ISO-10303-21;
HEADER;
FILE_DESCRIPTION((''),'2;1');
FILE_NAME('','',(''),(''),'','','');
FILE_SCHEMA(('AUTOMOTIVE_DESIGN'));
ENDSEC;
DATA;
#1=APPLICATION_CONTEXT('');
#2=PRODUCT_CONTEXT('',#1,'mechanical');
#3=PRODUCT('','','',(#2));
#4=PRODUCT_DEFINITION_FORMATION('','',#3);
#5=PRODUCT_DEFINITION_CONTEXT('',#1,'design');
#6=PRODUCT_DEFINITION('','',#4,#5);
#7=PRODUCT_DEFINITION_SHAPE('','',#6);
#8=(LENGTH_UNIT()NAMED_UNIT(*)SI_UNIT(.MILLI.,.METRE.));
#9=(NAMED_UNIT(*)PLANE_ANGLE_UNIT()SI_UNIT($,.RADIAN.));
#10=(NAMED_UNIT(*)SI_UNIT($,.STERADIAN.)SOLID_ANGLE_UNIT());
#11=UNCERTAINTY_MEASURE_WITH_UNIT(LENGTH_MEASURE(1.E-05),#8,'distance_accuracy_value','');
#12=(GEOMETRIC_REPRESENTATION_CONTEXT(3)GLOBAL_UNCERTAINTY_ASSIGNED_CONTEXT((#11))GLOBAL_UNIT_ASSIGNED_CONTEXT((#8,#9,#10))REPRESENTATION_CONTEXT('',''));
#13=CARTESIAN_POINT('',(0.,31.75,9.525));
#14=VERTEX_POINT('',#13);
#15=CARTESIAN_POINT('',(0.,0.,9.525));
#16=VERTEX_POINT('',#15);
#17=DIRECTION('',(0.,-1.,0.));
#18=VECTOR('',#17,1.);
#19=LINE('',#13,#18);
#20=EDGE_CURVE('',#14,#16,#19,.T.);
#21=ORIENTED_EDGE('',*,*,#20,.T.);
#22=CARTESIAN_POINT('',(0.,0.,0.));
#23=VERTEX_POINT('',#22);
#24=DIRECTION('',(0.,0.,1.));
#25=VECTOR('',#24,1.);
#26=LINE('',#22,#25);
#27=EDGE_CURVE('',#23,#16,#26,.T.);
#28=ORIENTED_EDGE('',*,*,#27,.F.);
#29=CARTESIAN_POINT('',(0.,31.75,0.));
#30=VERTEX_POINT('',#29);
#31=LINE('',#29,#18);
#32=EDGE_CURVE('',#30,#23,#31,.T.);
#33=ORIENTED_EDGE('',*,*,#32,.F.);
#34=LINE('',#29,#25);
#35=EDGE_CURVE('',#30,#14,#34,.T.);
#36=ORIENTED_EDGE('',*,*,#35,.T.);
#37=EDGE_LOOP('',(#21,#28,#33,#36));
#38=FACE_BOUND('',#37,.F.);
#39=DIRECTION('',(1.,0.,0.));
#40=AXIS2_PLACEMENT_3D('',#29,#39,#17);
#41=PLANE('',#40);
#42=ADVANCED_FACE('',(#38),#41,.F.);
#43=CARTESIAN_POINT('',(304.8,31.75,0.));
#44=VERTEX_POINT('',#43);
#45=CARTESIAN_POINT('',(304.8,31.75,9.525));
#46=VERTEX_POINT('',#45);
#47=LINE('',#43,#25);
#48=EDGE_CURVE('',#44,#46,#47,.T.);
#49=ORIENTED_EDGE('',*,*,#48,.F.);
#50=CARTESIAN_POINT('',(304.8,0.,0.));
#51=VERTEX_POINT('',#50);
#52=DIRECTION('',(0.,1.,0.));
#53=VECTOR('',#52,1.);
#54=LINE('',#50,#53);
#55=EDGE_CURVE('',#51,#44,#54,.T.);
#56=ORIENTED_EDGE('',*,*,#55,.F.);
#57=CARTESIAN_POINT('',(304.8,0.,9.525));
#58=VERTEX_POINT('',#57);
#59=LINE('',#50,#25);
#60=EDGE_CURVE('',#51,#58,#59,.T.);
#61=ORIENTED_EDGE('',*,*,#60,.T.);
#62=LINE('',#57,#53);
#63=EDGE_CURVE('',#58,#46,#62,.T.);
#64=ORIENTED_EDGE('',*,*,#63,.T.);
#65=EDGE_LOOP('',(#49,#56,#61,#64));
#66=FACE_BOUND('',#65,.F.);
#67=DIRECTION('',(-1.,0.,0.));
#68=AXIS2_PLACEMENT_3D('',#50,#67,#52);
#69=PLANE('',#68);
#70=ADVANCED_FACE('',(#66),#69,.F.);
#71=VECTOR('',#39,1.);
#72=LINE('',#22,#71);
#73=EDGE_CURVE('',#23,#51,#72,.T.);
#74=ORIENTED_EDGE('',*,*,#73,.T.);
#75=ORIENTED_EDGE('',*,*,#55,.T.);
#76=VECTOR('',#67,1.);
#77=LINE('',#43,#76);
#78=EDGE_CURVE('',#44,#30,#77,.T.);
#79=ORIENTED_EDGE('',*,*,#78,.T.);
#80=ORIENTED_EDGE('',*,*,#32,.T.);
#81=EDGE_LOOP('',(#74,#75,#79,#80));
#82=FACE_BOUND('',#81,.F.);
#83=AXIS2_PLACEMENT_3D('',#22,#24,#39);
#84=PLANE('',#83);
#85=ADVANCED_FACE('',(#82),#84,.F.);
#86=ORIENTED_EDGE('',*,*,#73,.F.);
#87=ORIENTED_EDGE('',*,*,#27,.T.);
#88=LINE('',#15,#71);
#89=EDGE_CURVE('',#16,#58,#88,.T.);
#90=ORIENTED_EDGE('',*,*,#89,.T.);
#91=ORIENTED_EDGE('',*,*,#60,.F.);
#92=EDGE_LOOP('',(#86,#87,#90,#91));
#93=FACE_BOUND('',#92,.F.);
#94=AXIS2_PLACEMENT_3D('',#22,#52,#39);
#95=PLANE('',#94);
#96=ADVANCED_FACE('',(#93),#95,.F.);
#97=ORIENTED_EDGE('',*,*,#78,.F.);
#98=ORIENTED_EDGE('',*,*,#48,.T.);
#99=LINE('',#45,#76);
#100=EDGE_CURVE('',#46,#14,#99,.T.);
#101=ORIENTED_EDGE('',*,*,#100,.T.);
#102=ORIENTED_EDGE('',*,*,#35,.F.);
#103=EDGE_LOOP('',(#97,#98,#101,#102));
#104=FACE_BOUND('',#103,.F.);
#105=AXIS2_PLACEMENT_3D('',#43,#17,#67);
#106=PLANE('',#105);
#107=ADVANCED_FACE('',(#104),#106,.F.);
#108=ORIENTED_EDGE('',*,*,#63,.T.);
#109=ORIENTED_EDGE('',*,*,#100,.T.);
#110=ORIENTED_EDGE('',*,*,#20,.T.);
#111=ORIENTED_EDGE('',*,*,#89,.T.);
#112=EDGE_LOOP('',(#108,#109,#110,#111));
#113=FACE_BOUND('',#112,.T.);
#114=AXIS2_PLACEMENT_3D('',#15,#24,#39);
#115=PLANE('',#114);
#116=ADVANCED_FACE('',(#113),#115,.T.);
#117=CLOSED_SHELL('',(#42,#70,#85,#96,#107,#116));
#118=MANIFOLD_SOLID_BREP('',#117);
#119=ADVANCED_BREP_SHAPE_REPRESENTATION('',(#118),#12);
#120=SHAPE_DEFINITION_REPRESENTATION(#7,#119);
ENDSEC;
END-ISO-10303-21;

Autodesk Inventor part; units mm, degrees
ref_plane "YZ Plane" through (0, 0, 0) normal (1, 0, 0) x (0, 1, 0)
ref_plane "XZ Plane" through (0, 0, 0) normal (0, 1, 0) x (-1, 0, 0)
ref_plane "XY Plane" through (0, 0, 0) normal (0, 0, 1) x (1, 0, 0)
sketch "Sketch1" plane through (0, 0, 0) normal (0, 0, 1) x (1, 0, 0)
  line L0 (0, 0) -> (304.8, 0)
  line L1 (304.8, 0) -> (304.8, 31.75)
  line L2 (304.8, 31.75) -> (0, 31.75)
  line L3 (0, 31.75) -> (0, 0)
  dimension "d0" = 304.8
  dimension "d1" = 31.75
extrude "Extrusion1" add sketch "Sketch1" along normal blind 9.525
properties part number "confiner_sliding_panel"
